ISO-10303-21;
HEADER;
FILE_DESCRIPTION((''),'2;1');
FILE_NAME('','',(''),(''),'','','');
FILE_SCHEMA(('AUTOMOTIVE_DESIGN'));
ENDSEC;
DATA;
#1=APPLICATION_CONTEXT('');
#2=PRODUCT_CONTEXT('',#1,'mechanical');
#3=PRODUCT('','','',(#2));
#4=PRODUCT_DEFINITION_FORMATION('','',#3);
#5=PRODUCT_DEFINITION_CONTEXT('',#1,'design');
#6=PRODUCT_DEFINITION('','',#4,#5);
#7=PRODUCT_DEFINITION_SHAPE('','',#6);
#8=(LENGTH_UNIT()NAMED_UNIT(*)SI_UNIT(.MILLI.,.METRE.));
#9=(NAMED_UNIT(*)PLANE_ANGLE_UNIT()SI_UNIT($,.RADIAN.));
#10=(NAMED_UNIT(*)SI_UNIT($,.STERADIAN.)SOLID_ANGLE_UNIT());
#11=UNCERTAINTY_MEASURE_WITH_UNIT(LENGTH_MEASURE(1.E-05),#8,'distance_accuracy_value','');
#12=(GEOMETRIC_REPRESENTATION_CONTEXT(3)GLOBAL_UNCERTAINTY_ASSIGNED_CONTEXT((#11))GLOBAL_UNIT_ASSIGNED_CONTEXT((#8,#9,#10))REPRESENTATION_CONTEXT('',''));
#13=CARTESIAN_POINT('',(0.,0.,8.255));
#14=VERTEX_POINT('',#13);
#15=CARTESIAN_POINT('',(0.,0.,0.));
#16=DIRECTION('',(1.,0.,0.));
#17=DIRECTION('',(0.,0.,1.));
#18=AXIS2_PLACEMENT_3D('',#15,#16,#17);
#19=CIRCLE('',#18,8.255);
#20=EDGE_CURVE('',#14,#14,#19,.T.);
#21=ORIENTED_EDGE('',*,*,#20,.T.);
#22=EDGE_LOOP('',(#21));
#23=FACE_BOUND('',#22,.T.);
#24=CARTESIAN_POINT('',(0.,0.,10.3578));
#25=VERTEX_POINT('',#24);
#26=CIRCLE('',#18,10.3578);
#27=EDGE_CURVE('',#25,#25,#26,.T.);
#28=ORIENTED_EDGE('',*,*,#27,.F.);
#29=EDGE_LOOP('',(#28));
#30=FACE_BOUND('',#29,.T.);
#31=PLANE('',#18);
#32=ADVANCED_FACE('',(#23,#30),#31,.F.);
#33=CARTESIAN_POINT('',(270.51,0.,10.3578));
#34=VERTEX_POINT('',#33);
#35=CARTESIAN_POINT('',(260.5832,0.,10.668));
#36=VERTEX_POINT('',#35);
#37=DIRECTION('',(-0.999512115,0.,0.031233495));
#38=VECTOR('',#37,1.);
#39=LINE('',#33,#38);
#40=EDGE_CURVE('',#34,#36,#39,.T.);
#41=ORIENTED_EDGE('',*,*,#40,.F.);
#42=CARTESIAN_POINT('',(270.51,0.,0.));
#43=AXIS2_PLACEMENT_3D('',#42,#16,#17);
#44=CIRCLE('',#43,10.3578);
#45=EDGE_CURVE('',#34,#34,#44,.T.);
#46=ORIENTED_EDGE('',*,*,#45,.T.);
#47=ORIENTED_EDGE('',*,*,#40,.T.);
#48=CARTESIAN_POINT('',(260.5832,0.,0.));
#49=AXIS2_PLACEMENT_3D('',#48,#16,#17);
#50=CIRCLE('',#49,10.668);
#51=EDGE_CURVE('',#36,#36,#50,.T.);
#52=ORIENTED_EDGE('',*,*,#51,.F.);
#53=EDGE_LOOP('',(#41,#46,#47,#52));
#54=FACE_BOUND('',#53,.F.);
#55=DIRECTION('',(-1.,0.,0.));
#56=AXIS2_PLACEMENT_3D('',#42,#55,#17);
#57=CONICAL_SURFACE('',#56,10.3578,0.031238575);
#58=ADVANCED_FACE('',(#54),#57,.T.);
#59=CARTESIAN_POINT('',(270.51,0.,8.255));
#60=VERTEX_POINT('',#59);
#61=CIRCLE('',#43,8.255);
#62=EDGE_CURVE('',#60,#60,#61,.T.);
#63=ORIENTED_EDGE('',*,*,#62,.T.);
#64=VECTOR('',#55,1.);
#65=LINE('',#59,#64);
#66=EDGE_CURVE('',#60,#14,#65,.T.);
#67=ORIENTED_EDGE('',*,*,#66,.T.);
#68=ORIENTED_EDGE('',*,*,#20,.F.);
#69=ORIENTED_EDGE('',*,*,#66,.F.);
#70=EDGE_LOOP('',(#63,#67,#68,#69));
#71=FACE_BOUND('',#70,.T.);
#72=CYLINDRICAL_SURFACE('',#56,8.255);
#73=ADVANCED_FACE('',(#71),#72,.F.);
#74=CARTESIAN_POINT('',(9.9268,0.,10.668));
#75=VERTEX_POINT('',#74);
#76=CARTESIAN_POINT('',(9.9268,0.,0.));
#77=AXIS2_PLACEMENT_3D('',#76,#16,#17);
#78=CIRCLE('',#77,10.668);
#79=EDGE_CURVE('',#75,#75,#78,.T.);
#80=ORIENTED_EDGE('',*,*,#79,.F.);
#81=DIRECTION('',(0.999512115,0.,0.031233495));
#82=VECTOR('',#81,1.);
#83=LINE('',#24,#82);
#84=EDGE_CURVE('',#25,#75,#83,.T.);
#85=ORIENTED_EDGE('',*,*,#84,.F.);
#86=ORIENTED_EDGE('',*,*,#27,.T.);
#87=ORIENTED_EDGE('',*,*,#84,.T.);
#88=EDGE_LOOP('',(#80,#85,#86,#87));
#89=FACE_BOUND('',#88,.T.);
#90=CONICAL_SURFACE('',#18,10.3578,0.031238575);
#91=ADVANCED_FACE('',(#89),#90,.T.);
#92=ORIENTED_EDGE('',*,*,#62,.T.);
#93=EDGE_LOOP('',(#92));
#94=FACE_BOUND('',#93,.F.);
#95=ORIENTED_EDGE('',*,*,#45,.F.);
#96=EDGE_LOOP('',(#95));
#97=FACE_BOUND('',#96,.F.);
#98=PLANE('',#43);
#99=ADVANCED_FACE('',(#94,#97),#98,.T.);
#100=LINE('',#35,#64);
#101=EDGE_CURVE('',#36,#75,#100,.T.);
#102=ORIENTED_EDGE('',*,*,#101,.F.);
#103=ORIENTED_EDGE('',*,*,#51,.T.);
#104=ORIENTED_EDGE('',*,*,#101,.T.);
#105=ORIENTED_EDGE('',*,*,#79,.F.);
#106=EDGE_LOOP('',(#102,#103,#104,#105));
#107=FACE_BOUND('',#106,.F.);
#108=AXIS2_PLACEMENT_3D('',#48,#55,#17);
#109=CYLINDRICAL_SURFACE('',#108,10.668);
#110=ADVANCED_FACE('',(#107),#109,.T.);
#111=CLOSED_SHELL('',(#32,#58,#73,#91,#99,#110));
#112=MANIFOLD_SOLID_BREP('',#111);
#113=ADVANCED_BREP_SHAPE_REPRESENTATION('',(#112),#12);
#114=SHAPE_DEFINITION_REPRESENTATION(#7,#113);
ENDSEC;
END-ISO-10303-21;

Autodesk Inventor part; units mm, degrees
ref_plane "YZ Plane" through (0, 0, 0) normal (1, 0, 0) x (0, 1, 0)
ref_plane "XZ Plane" through (0, 0, 0) normal (0, 1, 0) x (-1, 0, 0)
ref_plane "XY Plane" through (0, 0, 0) normal (0, 0, 1) x (1, 0, 0)
sketch "Sketch1" plane through (0, 0, 0) normal (0, 1, 0) x (-1, 0, 0)
  line L0 (0, 0) -> (-270.51, 0)
  line L1 (-270.51, 0) -> (-270.51, 8.255) construction
  line L2 (-270.51, 8.255) -> (-270.51, 10.3578)
  line L3 (-270.51, 10.3578) -> (-260.5832, 10.668)
  line L4 (-260.5832, 10.668) -> (-9.9268, 10.668)
  line L5 (-135.255, 0) -> (-135.255, 10.668) construction
  line L6 (-270.51, 8.255) -> (0, 8.255)
  line L7 (0, 0) -> (0, 8.255) construction
  line L8 (0, 8.255) -> (0, 10.3578)
  line L9 (0, 10.3578) -> (-9.9268, 10.668)
  line L10 (-256.954, 10.7814) -> (-256.954, 0) construction
  line L11 (-13.556, 10.7814) -> (-13.556, 0) construction
  line L12 (-260.5832, 10.668) -> (-256.954, 10.7814) construction
  line L13 (-260.5832, 10.668) -> (-260.5832, 0) construction
  line L14 (-9.9268, 10.668) -> (-13.556, 10.7814) construction
  line L15 (-9.9268, 10.668) -> (-9.9268, 0) construction
  dimension "d0" = 21.336
  dimension "d1" = 1.79
  dimension "d2" = 16.51
  dimension "d3" = 270.51
  dimension "d4" = 13.556
  dimension "d5" = 21.5628
revolve "Revolution1" add sketch "Sketch1" angle 360 about axis through (0, 0, 0) along (1, 0, 0)
thread "Thread1" size "1/2" designation "1/2 - 14 NPT" standard "NPT" full length
thread "Thread2" size "1/2" designation "1/2 - 14 NPT" standard "NPT" full length
equation "\"d0\" = OD"
equation "\"d2\" = ID"
equation "\"d3\" = L"
equation "\"d4\" = L2"
equation "\"d5\" = D2"
equation "\"OD\" = 21.336"
equation "\"t\" = 2.413"
equation "\"L\" = PL"
equation "\"L4\" = 19.8501"
equation "\"ID\" = 16.51"
equation "\"PL\" = 270.51"
equation "\"D2\" = 21.56282"
equation "\"L2\" = 13.55598"
equation "\"Size_Designation\" = 1.2345"
equation "\"PLmin\" = 2 * L2"
properties material "Steel, Wrought"
